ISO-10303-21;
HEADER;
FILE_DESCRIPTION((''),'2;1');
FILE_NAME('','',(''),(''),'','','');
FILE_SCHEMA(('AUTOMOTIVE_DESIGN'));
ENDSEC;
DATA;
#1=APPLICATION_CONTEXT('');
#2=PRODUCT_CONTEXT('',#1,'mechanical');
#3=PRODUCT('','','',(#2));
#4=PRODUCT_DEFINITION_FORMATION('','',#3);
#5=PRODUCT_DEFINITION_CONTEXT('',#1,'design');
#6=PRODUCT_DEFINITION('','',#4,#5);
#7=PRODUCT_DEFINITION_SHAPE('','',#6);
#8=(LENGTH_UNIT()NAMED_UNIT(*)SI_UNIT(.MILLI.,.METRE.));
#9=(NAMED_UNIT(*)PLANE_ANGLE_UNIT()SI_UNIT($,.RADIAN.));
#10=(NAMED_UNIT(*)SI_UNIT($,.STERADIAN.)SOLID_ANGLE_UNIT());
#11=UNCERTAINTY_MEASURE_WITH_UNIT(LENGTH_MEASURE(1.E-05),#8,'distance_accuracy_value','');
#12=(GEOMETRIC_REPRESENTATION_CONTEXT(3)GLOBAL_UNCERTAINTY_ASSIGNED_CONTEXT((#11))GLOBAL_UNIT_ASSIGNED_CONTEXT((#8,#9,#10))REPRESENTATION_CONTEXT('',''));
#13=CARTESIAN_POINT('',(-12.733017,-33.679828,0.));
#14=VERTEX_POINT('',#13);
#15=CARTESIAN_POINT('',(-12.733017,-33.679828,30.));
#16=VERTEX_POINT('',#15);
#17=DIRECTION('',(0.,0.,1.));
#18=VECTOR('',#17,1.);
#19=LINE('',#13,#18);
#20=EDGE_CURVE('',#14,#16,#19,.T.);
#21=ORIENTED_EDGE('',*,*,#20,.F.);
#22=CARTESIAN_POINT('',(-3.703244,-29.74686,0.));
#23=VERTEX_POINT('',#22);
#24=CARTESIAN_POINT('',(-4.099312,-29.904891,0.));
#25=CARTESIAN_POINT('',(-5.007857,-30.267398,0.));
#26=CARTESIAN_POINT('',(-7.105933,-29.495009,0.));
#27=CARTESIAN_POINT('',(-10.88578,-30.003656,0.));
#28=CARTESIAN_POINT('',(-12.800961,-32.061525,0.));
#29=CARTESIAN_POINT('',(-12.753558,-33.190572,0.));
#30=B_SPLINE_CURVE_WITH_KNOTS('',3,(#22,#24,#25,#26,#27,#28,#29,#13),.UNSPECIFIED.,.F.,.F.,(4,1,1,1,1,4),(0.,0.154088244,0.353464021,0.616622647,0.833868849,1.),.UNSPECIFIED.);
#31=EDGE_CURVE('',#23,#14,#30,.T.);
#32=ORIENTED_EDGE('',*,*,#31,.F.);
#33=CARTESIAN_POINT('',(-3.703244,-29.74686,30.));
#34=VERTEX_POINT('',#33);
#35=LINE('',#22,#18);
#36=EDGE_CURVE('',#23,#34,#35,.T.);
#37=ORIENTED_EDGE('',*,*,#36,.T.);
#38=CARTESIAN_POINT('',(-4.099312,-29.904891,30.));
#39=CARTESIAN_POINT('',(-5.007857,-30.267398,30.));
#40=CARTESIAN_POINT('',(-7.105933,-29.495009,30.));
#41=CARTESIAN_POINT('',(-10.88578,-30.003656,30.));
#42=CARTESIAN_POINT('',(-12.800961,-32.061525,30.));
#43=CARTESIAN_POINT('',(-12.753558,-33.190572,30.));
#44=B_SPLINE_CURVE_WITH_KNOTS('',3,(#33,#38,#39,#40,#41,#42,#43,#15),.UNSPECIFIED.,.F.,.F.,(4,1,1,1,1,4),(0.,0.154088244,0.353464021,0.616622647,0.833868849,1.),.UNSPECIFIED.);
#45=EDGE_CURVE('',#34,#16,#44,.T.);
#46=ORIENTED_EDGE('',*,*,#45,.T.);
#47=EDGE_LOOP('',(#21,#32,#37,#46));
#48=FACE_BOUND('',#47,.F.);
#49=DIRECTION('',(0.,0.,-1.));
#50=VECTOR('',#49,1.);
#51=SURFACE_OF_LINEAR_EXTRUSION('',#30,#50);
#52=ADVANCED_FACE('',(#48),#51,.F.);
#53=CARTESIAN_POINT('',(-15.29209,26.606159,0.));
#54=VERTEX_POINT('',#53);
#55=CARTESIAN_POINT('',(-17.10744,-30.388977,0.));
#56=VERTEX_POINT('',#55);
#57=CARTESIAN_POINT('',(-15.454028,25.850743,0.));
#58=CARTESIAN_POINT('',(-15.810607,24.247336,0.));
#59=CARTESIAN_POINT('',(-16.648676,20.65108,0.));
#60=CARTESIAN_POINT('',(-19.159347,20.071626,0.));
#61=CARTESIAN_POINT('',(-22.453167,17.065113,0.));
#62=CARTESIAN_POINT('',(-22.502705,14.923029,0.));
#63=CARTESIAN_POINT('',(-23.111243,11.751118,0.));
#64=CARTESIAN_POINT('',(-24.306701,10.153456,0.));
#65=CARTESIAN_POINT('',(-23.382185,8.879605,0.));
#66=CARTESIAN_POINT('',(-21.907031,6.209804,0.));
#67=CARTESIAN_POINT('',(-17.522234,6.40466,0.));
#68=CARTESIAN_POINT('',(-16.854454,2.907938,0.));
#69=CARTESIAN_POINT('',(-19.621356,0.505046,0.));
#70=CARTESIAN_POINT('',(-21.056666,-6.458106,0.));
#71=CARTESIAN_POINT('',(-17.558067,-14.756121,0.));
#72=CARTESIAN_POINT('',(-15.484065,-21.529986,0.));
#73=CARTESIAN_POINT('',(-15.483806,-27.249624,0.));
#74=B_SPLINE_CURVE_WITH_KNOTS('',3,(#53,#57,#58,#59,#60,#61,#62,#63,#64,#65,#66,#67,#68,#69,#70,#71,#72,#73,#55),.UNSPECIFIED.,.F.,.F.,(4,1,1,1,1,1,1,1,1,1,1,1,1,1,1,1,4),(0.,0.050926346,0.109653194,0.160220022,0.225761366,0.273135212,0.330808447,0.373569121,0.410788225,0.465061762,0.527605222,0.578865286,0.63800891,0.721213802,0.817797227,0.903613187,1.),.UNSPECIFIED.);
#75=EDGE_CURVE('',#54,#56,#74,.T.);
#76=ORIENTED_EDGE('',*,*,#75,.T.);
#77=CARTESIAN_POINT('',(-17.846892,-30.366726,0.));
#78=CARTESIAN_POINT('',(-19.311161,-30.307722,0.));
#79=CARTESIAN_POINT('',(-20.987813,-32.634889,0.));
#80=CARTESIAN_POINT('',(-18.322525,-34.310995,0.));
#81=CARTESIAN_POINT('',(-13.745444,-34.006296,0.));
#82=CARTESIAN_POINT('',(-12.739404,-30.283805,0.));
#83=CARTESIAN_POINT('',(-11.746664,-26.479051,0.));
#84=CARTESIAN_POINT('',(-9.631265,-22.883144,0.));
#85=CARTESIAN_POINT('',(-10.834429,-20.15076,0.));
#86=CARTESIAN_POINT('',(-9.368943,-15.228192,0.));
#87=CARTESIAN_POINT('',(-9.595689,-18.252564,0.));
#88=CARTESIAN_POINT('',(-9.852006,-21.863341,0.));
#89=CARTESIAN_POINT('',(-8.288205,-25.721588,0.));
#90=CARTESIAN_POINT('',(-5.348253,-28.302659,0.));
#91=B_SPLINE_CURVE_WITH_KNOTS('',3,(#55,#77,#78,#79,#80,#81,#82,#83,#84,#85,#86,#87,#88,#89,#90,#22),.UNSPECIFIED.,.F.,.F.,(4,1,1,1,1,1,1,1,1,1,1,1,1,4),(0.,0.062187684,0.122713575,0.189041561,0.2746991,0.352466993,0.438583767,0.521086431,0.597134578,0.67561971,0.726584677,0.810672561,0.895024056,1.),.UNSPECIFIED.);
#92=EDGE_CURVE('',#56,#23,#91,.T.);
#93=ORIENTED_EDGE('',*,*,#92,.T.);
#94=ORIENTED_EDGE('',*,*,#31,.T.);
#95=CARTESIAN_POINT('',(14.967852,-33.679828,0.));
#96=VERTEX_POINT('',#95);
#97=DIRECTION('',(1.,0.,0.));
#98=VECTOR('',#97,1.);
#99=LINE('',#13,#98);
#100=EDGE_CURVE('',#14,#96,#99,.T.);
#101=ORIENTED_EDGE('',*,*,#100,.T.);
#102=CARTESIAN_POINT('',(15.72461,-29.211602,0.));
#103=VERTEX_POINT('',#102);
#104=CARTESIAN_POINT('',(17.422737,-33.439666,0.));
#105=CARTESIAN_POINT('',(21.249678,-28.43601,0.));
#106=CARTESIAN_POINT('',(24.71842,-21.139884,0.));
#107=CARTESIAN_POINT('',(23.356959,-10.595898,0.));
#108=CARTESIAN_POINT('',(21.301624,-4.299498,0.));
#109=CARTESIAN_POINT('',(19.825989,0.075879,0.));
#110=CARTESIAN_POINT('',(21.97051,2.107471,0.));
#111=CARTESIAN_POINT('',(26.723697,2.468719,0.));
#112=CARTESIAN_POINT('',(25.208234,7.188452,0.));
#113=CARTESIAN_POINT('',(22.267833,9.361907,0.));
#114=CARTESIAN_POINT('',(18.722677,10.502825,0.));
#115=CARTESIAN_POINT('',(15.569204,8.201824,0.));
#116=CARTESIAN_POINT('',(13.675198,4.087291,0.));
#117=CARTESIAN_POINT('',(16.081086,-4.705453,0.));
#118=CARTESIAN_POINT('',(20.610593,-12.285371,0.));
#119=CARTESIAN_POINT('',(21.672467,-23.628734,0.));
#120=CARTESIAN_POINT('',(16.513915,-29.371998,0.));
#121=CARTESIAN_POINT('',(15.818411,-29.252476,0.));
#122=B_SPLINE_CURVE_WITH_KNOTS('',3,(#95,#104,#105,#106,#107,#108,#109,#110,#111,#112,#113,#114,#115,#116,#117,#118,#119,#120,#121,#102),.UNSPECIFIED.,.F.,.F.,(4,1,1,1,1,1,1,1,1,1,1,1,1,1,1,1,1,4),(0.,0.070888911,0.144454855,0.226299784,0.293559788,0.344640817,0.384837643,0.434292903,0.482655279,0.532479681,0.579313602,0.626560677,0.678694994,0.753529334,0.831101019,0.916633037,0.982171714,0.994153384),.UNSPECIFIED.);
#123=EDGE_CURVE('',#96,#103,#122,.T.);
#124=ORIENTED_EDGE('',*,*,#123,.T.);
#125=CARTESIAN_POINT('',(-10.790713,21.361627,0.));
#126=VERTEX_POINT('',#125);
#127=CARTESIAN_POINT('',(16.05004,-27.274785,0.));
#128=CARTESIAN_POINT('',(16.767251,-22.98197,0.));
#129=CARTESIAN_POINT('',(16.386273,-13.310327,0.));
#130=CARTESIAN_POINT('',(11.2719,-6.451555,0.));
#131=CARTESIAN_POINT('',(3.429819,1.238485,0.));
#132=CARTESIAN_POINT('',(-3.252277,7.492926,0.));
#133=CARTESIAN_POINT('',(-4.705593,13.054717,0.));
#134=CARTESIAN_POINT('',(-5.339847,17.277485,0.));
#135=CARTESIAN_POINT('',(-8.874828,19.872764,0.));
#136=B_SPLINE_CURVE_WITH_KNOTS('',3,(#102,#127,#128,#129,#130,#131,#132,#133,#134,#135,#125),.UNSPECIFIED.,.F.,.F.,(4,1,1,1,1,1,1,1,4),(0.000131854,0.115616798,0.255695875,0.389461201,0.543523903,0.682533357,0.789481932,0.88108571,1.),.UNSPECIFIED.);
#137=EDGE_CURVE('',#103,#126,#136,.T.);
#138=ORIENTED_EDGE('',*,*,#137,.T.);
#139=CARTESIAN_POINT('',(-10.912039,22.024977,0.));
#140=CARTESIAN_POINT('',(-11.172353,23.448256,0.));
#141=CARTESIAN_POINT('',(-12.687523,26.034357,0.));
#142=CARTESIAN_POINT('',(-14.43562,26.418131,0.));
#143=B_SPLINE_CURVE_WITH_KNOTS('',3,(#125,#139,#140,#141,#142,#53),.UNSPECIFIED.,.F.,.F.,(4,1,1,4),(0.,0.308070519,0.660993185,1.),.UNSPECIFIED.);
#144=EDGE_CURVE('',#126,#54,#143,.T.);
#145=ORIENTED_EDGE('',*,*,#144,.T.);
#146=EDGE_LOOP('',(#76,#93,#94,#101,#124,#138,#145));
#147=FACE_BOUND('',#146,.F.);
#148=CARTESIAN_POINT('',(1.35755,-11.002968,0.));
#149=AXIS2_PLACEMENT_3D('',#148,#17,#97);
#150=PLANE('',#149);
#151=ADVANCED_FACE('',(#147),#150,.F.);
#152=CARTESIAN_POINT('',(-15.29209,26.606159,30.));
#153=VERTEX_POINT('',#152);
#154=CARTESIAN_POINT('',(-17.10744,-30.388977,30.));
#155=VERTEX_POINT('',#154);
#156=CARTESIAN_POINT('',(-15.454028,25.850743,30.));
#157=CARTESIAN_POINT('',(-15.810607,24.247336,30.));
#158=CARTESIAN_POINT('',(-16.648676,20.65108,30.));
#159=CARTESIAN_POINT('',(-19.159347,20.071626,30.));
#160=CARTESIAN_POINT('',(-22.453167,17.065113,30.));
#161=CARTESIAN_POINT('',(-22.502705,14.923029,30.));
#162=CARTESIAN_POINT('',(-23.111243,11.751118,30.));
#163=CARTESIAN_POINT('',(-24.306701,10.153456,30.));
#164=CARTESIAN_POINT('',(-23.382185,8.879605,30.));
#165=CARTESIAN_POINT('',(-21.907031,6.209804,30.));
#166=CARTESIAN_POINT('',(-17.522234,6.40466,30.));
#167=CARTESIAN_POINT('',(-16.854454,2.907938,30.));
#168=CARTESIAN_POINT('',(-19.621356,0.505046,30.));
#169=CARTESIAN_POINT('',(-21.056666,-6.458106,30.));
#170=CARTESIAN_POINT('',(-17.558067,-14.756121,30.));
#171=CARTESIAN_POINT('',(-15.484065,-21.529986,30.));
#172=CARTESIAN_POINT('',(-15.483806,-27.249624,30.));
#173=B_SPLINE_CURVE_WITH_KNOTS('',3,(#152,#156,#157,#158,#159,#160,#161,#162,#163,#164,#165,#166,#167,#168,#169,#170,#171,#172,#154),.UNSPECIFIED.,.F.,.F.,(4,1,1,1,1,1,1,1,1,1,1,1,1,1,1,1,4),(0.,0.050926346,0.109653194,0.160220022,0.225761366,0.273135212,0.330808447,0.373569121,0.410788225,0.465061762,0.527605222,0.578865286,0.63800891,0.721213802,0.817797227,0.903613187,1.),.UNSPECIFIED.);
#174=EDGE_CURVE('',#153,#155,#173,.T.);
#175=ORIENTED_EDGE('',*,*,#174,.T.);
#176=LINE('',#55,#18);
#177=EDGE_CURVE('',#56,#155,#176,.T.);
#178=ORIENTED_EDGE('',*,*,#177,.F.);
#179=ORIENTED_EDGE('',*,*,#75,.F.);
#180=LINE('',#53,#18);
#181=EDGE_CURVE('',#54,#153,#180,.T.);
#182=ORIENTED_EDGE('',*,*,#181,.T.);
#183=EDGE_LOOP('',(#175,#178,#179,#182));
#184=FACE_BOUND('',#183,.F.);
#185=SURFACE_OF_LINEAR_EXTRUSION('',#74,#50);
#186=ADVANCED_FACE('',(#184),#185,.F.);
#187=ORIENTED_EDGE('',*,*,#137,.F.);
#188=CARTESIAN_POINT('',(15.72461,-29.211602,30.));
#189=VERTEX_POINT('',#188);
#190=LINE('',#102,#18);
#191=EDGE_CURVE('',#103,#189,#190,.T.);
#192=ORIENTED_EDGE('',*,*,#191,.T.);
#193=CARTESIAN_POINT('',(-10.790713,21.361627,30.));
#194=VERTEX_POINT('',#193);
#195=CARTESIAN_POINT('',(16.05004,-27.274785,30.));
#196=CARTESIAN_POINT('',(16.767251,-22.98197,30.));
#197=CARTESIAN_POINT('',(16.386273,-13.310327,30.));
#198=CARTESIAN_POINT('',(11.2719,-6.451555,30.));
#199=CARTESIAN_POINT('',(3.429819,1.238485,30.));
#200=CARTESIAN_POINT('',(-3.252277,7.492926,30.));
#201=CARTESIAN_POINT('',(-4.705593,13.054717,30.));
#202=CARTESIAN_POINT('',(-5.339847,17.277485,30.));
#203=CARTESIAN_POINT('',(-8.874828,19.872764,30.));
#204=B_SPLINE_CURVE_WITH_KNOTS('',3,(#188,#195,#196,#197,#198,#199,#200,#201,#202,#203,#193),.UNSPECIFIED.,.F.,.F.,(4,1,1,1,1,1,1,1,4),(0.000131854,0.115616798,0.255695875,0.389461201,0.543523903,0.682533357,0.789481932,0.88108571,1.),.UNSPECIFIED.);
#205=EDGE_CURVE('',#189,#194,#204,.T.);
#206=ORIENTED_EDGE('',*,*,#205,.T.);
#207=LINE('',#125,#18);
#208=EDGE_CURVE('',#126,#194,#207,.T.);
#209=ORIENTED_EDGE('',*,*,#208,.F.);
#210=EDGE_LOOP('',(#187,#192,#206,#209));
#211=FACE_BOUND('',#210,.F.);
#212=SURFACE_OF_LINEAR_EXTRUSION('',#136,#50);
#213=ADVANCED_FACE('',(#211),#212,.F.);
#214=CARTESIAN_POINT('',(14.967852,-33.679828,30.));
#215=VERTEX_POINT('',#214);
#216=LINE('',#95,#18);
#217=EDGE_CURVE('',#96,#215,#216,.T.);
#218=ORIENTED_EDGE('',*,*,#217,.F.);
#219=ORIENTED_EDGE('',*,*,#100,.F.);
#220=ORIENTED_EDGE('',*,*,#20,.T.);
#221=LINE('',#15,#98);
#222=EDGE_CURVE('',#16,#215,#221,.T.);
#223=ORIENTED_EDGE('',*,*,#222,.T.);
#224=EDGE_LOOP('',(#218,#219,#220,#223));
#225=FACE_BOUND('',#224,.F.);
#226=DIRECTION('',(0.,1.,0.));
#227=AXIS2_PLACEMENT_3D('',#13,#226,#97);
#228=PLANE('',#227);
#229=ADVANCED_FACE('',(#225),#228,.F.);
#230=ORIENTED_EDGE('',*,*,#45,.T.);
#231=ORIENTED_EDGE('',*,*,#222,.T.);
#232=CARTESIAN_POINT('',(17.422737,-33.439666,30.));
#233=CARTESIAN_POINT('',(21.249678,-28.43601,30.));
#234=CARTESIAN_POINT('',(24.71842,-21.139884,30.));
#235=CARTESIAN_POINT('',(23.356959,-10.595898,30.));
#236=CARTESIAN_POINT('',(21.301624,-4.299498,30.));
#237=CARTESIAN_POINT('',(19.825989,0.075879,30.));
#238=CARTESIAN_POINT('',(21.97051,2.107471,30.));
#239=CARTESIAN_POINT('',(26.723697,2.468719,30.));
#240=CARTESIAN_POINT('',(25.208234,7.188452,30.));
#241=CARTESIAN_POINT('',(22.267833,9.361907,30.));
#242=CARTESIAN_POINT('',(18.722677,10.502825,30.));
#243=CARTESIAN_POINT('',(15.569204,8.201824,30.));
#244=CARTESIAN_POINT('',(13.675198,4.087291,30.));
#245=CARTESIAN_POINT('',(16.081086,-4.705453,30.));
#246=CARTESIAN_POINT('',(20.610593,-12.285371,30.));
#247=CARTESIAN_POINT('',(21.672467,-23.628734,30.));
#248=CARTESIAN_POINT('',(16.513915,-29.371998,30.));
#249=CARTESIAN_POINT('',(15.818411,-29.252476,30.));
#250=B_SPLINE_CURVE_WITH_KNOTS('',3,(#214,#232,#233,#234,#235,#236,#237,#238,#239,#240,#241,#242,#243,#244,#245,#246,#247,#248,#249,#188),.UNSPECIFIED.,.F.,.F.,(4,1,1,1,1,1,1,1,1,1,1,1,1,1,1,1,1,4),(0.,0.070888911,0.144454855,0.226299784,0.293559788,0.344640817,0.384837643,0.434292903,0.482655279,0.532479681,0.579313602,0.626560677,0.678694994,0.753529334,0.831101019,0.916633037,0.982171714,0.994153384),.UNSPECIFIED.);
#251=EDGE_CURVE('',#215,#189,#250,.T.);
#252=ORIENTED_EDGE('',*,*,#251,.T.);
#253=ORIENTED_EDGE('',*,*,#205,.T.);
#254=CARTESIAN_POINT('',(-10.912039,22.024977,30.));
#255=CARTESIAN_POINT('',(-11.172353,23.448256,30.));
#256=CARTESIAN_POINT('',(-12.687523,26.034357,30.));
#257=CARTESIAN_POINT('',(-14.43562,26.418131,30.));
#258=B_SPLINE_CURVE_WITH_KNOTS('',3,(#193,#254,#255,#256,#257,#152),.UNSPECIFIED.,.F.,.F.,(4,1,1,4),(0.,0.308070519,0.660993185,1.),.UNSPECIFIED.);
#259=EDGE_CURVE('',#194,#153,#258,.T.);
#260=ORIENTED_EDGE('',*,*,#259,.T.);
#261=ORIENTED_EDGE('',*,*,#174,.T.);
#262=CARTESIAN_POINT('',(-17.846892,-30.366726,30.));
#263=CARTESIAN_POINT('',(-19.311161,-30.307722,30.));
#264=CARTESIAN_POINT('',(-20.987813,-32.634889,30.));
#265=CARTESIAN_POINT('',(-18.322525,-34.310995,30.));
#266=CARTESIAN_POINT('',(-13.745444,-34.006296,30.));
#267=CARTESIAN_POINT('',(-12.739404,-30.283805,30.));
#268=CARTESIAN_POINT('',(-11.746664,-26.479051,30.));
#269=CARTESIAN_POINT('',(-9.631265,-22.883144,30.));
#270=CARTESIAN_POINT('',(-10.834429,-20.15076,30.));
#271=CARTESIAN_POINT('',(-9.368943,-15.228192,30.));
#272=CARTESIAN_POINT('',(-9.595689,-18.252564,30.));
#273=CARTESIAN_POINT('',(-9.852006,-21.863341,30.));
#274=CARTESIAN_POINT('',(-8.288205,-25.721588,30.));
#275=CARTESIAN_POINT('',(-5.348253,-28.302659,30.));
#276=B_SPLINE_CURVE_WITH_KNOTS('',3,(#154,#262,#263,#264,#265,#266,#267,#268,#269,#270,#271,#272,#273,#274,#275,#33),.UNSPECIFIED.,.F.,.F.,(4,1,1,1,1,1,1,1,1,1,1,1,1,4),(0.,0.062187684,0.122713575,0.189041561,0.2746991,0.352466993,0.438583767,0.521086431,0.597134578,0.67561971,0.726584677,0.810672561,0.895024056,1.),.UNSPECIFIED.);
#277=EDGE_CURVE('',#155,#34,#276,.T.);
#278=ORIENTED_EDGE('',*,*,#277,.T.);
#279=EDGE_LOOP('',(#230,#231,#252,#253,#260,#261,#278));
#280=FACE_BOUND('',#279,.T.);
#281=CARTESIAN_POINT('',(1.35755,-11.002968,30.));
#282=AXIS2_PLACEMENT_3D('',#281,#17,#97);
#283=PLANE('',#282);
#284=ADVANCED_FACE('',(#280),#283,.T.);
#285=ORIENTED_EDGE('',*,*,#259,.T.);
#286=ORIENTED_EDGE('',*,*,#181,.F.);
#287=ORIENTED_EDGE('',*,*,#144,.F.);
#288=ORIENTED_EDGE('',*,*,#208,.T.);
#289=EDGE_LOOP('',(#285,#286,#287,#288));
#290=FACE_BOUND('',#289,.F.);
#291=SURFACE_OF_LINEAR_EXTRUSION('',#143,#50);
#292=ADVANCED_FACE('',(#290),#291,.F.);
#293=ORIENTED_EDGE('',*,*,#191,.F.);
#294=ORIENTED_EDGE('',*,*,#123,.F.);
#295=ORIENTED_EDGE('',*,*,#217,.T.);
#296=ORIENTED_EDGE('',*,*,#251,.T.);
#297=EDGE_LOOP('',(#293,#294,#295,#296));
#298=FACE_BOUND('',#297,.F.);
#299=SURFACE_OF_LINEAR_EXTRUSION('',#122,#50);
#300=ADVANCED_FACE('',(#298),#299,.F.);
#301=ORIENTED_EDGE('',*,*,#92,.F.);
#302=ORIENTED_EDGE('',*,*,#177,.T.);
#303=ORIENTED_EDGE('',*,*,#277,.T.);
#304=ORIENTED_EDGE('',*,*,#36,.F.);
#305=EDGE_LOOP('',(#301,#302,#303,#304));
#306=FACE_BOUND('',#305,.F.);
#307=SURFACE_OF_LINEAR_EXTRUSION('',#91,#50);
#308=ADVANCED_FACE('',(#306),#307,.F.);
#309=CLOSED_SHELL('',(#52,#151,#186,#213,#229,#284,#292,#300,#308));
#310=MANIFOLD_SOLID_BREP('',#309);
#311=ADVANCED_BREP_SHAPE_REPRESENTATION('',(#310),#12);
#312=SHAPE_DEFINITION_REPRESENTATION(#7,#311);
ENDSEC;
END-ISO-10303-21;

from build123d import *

# Parameters (mm, degrees)
F1_DEPTH = 30


with BuildPart() as f1:
    # F0 (on Top) → F1 (new body)
    with BuildSketch(Plane.XY):
        with BuildLine():
            add(Edge.make_bspline(
                [(-10.7907131314, 21.3616266847), (-10.9120386314, 22.0249772599), (-11.1723534742, 23.4482559674), (-12.6875231681, 26.0343566422), (-14.4356203443, 26.418131185), (-15.2920903638, 26.6061592847)],
                knots=[0, 0, 0, 0, 0.3080705185, 0.6609931847, 1, 1, 1, 1], degree=3))
            add(Edge.make_bspline(
                [(-15.2920903638, 26.6061592847), (-15.4540280184, 25.8507431038), (-15.8106069597, 24.2473362933), (-16.6486758474, 20.6510804145), (-19.159346829, 20.0716264733), (-22.4531666313, 17.0651134265), (-22.5027045732, 14.923029141), (-23.1112426451, 11.7511179145), (-24.3067014098, 10.1534559343), (-23.3821845162, 8.8796050397), (-21.9070312285, 6.2098042918), (-17.5222343227, 6.4046595766), (-16.8544541399, 2.9079383338), (-19.6213563931, 0.5050455565), (-21.0566655045, -6.4581057078), (-17.5580673858, -14.7561207409), (-15.4840648977, -21.5299863644), (-15.4838063766, -27.2496243168), (-17.1074401587, -30.3889773786)],
                knots=[0, 0, 0, 0, 0.0509263463, 0.1096531944, 0.1602200219, 0.2257613655, 0.2731352124, 0.3308084466, 0.3735691208, 0.4107882252, 0.4650617615, 0.5276052219, 0.5788652861, 0.6380089096, 0.721213802, 0.8177972266, 0.9036131869, 1, 1, 1, 1], degree=3))
            add(Edge.make_bspline(
                [(-17.1074401587, -30.3889773786), (-17.84689222, -30.3667257683), (-19.311161107, -30.30772248), (-20.9878133961, -32.6348890186), (-18.3225251563, -34.3109948899), (-13.7454439069, -34.006295721), (-12.7394036915, -30.2838045978), (-11.7466638777, -26.4790508446), (-9.631265184, -22.8831443351), (-10.8344287378, -20.1507598688), (-9.3689429085, -15.2281920669), (-9.5956885889, -18.2525641885), (-9.8520061871, -21.8633407157), (-8.2882045233, -25.7215880774), (-5.3482534902, -28.3026589916), (-3.7032437976, -29.7468602657)],
                knots=[0, 0, 0, 0, 0.0621876838, 0.1227135746, 0.1890415613, 0.2746991003, 0.3524669931, 0.4385837674, 0.5210864309, 0.5971345784, 0.6756197097, 0.726584677, 0.8106725607, 0.8950240562, 1, 1, 1, 1], degree=3))
            add(Edge.make_bspline(
                [(-3.7032437976, -29.7468602657), (-4.0993124756, -29.904890796), (-5.0078569817, -30.2673980533), (-7.1059331464, -29.4950085034), (-10.8857803405, -30.0036561767), (-12.800961023, -32.061524606), (-12.7535583654, -33.1905715356), (-12.7330170944, -33.6798280478)],
                knots=[0, 0, 0, 0, 0.1540882439, 0.353464021, 0.6166226475, 0.8338688487, 1, 1, 1, 1], degree=3))
            Line((-12.7330170944, -33.6798280478), (14.9678522721, -33.6798280478))
            add(Edge.make_bspline(
                [(14.9678522721, -33.6798280478), (17.4227370677, -33.4396661279), (21.2496784223, -28.4360101238), (24.7184202603, -21.1398837069), (23.3569592479, -10.59589813), (21.3016242975, -4.2994979373), (19.8259886494, 0.0758789655), (21.9705100289, 2.1074707774), (26.7236966544, 2.4687190144), (25.2082335125, 7.1884516518), (22.2678327587, 9.3619066503), (18.722676528, 10.5028251933), (15.5692039294, 8.2018236244), (13.6751981734, 4.087290858), (16.0810862094, -4.7054532711), (20.6105925854, -12.2853707418), (21.6724673753, -23.6287338759), (16.5139147015, -29.3719976455), (15.8184113694, -29.2524762081), (15.7246102077, -29.2116016718)],
                knots=[0, 0, 0, 0, 0.0708889115, 0.1444548553, 0.2262997836, 0.2935597875, 0.3446408169, 0.3848376435, 0.4342929025, 0.4826552795, 0.5324796814, 0.5793136023, 0.626560677, 0.6786949939, 0.7535293336, 0.8311010189, 0.9166330366, 0.9821717141, 0.9941533838, 0.9941533838, 0.9941533838, 0.9941533838], degree=3))
            add(Edge.make_bspline(
                [(15.7246102147, -29.2116016622), (16.0500403619, -27.2747853774), (16.7672513776, -22.9819700113), (16.3862725758, -13.3103270663), (11.2718997184, -6.4515548441), (3.4298192278, 1.2384854338), (-3.2522769531, 7.4929260639), (-4.7055929544, 13.0547169858), (-5.339847443, 17.2774851604), (-8.8748275628, 19.8727642277), (-10.7907131314, 21.3616266847)],
                knots=[0.0001318545, 0.0001318545, 0.0001318545, 0.0001318545, 0.1156167981, 0.2556958751, 0.3894612014, 0.543523903, 0.6825333565, 0.7894819323, 0.88108571, 1, 1, 1, 1], degree=3))
        make_face()
    extrude(amount=F1_DEPTH)


solid = f1.part
